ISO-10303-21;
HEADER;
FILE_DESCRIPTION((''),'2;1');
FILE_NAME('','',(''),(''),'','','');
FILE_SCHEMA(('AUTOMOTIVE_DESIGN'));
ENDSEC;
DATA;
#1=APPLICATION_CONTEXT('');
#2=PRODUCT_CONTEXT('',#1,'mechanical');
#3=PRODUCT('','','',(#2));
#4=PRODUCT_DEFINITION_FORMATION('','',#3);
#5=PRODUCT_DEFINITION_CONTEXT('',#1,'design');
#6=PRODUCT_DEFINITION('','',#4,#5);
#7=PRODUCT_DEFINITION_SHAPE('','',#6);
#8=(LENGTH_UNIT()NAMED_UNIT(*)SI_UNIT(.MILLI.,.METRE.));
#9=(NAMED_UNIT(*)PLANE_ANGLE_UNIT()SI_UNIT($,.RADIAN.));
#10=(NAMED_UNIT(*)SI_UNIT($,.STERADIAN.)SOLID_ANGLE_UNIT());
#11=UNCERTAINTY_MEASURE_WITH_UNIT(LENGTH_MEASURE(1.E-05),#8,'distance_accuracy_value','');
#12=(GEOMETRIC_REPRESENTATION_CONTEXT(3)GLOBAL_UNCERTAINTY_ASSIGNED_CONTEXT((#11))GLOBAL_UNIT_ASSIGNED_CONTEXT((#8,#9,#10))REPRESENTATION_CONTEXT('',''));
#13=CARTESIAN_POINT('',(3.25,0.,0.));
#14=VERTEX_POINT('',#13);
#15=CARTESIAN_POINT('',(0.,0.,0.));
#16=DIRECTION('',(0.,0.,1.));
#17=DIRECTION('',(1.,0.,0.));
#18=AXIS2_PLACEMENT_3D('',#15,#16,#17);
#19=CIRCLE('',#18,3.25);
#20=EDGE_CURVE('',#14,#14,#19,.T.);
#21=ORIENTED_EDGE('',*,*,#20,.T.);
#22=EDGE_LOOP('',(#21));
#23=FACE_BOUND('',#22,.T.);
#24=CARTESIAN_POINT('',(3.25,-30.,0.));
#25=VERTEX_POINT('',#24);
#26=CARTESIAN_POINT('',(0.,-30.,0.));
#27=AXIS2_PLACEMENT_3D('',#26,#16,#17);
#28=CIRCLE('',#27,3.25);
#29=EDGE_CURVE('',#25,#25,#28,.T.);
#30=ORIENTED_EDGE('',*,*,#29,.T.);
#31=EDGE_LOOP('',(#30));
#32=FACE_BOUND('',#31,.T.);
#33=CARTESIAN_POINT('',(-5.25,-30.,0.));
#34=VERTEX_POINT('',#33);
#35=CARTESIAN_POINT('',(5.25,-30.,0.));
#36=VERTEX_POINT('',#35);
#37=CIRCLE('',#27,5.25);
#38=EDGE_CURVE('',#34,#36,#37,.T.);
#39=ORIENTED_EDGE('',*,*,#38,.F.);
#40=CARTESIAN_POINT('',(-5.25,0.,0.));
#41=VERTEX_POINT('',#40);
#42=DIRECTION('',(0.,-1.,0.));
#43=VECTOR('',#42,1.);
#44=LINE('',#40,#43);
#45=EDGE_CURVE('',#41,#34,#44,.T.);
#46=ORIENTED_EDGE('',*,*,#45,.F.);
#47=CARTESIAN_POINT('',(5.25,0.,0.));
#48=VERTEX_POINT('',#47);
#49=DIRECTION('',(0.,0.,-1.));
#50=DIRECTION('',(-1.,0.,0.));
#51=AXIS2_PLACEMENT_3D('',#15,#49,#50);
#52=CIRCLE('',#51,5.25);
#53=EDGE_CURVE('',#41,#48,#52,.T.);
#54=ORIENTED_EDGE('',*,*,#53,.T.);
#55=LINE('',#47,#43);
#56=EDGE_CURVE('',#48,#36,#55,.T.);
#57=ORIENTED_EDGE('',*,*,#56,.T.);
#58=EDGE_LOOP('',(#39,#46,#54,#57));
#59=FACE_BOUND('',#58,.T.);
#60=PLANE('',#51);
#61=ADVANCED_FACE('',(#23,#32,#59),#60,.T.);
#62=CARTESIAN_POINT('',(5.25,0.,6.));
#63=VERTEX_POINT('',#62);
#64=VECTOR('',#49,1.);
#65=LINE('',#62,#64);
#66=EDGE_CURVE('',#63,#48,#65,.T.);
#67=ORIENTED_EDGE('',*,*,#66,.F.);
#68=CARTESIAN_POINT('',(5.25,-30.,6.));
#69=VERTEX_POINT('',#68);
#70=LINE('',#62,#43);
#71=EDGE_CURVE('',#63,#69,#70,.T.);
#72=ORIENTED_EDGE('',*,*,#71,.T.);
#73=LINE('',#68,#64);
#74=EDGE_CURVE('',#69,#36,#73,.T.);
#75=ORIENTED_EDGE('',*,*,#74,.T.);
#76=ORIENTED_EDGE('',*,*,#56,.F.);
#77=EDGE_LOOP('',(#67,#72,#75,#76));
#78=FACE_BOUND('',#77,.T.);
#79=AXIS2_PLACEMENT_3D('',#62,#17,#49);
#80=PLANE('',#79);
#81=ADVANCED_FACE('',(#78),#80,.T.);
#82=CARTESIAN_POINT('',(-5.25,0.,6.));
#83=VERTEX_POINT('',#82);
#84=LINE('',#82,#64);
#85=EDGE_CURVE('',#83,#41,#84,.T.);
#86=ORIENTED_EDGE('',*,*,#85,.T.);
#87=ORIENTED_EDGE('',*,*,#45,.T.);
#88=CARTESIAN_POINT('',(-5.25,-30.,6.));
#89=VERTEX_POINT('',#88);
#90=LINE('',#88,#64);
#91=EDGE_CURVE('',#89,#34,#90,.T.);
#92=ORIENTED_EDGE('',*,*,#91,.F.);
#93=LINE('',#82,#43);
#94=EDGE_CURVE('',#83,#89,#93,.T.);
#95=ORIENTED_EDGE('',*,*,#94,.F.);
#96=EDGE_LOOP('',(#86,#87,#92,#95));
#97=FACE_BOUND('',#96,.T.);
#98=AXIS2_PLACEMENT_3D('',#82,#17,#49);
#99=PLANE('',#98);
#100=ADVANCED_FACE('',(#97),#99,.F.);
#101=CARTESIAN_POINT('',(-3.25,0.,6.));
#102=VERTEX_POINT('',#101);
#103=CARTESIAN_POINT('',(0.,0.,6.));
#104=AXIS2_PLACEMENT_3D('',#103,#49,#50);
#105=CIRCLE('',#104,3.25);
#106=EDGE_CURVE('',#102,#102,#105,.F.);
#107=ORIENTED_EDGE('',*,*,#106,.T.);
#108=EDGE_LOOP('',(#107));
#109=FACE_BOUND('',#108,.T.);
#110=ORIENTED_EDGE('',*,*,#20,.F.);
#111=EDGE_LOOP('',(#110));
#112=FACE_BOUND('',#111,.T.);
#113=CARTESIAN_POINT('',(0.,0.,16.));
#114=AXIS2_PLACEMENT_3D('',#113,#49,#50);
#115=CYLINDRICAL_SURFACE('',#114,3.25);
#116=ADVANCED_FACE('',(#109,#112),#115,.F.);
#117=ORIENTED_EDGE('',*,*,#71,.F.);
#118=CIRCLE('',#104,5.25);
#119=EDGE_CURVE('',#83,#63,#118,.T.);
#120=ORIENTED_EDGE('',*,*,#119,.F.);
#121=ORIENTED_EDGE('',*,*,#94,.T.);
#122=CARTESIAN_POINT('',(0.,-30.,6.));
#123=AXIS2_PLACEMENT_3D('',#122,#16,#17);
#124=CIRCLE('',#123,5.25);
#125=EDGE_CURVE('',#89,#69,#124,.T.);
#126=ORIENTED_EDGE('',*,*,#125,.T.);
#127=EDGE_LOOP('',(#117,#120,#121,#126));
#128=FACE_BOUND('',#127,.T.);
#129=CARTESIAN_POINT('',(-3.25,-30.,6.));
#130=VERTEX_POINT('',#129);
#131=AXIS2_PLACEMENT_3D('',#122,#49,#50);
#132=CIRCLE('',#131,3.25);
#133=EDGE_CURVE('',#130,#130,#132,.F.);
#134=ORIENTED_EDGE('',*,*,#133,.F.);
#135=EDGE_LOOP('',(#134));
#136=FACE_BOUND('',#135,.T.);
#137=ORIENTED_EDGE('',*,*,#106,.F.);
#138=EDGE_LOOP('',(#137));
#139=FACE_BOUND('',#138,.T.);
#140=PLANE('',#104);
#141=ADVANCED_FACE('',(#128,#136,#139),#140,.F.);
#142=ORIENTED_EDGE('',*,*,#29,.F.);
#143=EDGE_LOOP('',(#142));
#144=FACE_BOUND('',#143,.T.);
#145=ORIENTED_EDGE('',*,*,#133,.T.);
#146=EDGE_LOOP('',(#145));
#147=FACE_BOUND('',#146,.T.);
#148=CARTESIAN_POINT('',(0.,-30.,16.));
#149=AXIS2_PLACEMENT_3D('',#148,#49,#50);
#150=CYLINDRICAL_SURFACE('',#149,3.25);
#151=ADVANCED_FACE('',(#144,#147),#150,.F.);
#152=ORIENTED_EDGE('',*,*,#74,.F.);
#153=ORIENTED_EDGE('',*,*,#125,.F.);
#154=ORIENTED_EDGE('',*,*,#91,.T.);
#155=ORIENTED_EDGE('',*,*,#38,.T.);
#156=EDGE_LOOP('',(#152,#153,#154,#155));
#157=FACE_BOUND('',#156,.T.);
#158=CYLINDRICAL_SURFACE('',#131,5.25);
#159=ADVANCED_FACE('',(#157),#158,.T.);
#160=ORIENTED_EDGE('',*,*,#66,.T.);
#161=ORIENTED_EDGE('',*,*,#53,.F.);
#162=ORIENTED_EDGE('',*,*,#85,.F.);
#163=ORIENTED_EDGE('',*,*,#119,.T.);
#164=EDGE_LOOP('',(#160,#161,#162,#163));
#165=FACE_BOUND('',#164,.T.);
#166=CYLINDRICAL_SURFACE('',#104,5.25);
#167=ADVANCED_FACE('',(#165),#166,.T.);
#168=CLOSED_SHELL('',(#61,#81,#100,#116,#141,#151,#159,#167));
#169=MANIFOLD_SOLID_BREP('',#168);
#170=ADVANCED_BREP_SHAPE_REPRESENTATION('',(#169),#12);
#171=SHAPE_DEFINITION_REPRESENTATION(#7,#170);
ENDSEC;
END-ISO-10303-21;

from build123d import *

# Parameters (mm, degrees)
BOSS_EXTRUDE1_DEPTH = 6
SKETCH1_3_R         = 3.25
CUT_EXTRUDE1_DEPTH  = 16


with BuildPart() as part:
    # Sketch1 → Boss-Extrude1 (new body)
    with BuildSketch(Plane.XY):
        with BuildLine():
            Line((-5.25, 0), (-5.25, -30))
            ThreePointArc((-5.25, -30), (0, -35.25), (5.25, -30))
            Line((5.25, -30), (5.25, 0))
            ThreePointArc((5.25, 0), (0, 5.25), (-5.25, 0))
        make_face()
    extrude(amount=BOSS_EXTRUDE1_DEPTH)

    # Sketch1<3> → Cut-Extrude1 (cut)
    with BuildSketch(Plane.XY):
        Circle(SKETCH1_3_R)
        with Locations((0, -30)):
            Circle(SKETCH1_3_R)
    extrude(amount=CUT_EXTRUDE1_DEPTH, mode=Mode.SUBTRACT)


solid = part.part
